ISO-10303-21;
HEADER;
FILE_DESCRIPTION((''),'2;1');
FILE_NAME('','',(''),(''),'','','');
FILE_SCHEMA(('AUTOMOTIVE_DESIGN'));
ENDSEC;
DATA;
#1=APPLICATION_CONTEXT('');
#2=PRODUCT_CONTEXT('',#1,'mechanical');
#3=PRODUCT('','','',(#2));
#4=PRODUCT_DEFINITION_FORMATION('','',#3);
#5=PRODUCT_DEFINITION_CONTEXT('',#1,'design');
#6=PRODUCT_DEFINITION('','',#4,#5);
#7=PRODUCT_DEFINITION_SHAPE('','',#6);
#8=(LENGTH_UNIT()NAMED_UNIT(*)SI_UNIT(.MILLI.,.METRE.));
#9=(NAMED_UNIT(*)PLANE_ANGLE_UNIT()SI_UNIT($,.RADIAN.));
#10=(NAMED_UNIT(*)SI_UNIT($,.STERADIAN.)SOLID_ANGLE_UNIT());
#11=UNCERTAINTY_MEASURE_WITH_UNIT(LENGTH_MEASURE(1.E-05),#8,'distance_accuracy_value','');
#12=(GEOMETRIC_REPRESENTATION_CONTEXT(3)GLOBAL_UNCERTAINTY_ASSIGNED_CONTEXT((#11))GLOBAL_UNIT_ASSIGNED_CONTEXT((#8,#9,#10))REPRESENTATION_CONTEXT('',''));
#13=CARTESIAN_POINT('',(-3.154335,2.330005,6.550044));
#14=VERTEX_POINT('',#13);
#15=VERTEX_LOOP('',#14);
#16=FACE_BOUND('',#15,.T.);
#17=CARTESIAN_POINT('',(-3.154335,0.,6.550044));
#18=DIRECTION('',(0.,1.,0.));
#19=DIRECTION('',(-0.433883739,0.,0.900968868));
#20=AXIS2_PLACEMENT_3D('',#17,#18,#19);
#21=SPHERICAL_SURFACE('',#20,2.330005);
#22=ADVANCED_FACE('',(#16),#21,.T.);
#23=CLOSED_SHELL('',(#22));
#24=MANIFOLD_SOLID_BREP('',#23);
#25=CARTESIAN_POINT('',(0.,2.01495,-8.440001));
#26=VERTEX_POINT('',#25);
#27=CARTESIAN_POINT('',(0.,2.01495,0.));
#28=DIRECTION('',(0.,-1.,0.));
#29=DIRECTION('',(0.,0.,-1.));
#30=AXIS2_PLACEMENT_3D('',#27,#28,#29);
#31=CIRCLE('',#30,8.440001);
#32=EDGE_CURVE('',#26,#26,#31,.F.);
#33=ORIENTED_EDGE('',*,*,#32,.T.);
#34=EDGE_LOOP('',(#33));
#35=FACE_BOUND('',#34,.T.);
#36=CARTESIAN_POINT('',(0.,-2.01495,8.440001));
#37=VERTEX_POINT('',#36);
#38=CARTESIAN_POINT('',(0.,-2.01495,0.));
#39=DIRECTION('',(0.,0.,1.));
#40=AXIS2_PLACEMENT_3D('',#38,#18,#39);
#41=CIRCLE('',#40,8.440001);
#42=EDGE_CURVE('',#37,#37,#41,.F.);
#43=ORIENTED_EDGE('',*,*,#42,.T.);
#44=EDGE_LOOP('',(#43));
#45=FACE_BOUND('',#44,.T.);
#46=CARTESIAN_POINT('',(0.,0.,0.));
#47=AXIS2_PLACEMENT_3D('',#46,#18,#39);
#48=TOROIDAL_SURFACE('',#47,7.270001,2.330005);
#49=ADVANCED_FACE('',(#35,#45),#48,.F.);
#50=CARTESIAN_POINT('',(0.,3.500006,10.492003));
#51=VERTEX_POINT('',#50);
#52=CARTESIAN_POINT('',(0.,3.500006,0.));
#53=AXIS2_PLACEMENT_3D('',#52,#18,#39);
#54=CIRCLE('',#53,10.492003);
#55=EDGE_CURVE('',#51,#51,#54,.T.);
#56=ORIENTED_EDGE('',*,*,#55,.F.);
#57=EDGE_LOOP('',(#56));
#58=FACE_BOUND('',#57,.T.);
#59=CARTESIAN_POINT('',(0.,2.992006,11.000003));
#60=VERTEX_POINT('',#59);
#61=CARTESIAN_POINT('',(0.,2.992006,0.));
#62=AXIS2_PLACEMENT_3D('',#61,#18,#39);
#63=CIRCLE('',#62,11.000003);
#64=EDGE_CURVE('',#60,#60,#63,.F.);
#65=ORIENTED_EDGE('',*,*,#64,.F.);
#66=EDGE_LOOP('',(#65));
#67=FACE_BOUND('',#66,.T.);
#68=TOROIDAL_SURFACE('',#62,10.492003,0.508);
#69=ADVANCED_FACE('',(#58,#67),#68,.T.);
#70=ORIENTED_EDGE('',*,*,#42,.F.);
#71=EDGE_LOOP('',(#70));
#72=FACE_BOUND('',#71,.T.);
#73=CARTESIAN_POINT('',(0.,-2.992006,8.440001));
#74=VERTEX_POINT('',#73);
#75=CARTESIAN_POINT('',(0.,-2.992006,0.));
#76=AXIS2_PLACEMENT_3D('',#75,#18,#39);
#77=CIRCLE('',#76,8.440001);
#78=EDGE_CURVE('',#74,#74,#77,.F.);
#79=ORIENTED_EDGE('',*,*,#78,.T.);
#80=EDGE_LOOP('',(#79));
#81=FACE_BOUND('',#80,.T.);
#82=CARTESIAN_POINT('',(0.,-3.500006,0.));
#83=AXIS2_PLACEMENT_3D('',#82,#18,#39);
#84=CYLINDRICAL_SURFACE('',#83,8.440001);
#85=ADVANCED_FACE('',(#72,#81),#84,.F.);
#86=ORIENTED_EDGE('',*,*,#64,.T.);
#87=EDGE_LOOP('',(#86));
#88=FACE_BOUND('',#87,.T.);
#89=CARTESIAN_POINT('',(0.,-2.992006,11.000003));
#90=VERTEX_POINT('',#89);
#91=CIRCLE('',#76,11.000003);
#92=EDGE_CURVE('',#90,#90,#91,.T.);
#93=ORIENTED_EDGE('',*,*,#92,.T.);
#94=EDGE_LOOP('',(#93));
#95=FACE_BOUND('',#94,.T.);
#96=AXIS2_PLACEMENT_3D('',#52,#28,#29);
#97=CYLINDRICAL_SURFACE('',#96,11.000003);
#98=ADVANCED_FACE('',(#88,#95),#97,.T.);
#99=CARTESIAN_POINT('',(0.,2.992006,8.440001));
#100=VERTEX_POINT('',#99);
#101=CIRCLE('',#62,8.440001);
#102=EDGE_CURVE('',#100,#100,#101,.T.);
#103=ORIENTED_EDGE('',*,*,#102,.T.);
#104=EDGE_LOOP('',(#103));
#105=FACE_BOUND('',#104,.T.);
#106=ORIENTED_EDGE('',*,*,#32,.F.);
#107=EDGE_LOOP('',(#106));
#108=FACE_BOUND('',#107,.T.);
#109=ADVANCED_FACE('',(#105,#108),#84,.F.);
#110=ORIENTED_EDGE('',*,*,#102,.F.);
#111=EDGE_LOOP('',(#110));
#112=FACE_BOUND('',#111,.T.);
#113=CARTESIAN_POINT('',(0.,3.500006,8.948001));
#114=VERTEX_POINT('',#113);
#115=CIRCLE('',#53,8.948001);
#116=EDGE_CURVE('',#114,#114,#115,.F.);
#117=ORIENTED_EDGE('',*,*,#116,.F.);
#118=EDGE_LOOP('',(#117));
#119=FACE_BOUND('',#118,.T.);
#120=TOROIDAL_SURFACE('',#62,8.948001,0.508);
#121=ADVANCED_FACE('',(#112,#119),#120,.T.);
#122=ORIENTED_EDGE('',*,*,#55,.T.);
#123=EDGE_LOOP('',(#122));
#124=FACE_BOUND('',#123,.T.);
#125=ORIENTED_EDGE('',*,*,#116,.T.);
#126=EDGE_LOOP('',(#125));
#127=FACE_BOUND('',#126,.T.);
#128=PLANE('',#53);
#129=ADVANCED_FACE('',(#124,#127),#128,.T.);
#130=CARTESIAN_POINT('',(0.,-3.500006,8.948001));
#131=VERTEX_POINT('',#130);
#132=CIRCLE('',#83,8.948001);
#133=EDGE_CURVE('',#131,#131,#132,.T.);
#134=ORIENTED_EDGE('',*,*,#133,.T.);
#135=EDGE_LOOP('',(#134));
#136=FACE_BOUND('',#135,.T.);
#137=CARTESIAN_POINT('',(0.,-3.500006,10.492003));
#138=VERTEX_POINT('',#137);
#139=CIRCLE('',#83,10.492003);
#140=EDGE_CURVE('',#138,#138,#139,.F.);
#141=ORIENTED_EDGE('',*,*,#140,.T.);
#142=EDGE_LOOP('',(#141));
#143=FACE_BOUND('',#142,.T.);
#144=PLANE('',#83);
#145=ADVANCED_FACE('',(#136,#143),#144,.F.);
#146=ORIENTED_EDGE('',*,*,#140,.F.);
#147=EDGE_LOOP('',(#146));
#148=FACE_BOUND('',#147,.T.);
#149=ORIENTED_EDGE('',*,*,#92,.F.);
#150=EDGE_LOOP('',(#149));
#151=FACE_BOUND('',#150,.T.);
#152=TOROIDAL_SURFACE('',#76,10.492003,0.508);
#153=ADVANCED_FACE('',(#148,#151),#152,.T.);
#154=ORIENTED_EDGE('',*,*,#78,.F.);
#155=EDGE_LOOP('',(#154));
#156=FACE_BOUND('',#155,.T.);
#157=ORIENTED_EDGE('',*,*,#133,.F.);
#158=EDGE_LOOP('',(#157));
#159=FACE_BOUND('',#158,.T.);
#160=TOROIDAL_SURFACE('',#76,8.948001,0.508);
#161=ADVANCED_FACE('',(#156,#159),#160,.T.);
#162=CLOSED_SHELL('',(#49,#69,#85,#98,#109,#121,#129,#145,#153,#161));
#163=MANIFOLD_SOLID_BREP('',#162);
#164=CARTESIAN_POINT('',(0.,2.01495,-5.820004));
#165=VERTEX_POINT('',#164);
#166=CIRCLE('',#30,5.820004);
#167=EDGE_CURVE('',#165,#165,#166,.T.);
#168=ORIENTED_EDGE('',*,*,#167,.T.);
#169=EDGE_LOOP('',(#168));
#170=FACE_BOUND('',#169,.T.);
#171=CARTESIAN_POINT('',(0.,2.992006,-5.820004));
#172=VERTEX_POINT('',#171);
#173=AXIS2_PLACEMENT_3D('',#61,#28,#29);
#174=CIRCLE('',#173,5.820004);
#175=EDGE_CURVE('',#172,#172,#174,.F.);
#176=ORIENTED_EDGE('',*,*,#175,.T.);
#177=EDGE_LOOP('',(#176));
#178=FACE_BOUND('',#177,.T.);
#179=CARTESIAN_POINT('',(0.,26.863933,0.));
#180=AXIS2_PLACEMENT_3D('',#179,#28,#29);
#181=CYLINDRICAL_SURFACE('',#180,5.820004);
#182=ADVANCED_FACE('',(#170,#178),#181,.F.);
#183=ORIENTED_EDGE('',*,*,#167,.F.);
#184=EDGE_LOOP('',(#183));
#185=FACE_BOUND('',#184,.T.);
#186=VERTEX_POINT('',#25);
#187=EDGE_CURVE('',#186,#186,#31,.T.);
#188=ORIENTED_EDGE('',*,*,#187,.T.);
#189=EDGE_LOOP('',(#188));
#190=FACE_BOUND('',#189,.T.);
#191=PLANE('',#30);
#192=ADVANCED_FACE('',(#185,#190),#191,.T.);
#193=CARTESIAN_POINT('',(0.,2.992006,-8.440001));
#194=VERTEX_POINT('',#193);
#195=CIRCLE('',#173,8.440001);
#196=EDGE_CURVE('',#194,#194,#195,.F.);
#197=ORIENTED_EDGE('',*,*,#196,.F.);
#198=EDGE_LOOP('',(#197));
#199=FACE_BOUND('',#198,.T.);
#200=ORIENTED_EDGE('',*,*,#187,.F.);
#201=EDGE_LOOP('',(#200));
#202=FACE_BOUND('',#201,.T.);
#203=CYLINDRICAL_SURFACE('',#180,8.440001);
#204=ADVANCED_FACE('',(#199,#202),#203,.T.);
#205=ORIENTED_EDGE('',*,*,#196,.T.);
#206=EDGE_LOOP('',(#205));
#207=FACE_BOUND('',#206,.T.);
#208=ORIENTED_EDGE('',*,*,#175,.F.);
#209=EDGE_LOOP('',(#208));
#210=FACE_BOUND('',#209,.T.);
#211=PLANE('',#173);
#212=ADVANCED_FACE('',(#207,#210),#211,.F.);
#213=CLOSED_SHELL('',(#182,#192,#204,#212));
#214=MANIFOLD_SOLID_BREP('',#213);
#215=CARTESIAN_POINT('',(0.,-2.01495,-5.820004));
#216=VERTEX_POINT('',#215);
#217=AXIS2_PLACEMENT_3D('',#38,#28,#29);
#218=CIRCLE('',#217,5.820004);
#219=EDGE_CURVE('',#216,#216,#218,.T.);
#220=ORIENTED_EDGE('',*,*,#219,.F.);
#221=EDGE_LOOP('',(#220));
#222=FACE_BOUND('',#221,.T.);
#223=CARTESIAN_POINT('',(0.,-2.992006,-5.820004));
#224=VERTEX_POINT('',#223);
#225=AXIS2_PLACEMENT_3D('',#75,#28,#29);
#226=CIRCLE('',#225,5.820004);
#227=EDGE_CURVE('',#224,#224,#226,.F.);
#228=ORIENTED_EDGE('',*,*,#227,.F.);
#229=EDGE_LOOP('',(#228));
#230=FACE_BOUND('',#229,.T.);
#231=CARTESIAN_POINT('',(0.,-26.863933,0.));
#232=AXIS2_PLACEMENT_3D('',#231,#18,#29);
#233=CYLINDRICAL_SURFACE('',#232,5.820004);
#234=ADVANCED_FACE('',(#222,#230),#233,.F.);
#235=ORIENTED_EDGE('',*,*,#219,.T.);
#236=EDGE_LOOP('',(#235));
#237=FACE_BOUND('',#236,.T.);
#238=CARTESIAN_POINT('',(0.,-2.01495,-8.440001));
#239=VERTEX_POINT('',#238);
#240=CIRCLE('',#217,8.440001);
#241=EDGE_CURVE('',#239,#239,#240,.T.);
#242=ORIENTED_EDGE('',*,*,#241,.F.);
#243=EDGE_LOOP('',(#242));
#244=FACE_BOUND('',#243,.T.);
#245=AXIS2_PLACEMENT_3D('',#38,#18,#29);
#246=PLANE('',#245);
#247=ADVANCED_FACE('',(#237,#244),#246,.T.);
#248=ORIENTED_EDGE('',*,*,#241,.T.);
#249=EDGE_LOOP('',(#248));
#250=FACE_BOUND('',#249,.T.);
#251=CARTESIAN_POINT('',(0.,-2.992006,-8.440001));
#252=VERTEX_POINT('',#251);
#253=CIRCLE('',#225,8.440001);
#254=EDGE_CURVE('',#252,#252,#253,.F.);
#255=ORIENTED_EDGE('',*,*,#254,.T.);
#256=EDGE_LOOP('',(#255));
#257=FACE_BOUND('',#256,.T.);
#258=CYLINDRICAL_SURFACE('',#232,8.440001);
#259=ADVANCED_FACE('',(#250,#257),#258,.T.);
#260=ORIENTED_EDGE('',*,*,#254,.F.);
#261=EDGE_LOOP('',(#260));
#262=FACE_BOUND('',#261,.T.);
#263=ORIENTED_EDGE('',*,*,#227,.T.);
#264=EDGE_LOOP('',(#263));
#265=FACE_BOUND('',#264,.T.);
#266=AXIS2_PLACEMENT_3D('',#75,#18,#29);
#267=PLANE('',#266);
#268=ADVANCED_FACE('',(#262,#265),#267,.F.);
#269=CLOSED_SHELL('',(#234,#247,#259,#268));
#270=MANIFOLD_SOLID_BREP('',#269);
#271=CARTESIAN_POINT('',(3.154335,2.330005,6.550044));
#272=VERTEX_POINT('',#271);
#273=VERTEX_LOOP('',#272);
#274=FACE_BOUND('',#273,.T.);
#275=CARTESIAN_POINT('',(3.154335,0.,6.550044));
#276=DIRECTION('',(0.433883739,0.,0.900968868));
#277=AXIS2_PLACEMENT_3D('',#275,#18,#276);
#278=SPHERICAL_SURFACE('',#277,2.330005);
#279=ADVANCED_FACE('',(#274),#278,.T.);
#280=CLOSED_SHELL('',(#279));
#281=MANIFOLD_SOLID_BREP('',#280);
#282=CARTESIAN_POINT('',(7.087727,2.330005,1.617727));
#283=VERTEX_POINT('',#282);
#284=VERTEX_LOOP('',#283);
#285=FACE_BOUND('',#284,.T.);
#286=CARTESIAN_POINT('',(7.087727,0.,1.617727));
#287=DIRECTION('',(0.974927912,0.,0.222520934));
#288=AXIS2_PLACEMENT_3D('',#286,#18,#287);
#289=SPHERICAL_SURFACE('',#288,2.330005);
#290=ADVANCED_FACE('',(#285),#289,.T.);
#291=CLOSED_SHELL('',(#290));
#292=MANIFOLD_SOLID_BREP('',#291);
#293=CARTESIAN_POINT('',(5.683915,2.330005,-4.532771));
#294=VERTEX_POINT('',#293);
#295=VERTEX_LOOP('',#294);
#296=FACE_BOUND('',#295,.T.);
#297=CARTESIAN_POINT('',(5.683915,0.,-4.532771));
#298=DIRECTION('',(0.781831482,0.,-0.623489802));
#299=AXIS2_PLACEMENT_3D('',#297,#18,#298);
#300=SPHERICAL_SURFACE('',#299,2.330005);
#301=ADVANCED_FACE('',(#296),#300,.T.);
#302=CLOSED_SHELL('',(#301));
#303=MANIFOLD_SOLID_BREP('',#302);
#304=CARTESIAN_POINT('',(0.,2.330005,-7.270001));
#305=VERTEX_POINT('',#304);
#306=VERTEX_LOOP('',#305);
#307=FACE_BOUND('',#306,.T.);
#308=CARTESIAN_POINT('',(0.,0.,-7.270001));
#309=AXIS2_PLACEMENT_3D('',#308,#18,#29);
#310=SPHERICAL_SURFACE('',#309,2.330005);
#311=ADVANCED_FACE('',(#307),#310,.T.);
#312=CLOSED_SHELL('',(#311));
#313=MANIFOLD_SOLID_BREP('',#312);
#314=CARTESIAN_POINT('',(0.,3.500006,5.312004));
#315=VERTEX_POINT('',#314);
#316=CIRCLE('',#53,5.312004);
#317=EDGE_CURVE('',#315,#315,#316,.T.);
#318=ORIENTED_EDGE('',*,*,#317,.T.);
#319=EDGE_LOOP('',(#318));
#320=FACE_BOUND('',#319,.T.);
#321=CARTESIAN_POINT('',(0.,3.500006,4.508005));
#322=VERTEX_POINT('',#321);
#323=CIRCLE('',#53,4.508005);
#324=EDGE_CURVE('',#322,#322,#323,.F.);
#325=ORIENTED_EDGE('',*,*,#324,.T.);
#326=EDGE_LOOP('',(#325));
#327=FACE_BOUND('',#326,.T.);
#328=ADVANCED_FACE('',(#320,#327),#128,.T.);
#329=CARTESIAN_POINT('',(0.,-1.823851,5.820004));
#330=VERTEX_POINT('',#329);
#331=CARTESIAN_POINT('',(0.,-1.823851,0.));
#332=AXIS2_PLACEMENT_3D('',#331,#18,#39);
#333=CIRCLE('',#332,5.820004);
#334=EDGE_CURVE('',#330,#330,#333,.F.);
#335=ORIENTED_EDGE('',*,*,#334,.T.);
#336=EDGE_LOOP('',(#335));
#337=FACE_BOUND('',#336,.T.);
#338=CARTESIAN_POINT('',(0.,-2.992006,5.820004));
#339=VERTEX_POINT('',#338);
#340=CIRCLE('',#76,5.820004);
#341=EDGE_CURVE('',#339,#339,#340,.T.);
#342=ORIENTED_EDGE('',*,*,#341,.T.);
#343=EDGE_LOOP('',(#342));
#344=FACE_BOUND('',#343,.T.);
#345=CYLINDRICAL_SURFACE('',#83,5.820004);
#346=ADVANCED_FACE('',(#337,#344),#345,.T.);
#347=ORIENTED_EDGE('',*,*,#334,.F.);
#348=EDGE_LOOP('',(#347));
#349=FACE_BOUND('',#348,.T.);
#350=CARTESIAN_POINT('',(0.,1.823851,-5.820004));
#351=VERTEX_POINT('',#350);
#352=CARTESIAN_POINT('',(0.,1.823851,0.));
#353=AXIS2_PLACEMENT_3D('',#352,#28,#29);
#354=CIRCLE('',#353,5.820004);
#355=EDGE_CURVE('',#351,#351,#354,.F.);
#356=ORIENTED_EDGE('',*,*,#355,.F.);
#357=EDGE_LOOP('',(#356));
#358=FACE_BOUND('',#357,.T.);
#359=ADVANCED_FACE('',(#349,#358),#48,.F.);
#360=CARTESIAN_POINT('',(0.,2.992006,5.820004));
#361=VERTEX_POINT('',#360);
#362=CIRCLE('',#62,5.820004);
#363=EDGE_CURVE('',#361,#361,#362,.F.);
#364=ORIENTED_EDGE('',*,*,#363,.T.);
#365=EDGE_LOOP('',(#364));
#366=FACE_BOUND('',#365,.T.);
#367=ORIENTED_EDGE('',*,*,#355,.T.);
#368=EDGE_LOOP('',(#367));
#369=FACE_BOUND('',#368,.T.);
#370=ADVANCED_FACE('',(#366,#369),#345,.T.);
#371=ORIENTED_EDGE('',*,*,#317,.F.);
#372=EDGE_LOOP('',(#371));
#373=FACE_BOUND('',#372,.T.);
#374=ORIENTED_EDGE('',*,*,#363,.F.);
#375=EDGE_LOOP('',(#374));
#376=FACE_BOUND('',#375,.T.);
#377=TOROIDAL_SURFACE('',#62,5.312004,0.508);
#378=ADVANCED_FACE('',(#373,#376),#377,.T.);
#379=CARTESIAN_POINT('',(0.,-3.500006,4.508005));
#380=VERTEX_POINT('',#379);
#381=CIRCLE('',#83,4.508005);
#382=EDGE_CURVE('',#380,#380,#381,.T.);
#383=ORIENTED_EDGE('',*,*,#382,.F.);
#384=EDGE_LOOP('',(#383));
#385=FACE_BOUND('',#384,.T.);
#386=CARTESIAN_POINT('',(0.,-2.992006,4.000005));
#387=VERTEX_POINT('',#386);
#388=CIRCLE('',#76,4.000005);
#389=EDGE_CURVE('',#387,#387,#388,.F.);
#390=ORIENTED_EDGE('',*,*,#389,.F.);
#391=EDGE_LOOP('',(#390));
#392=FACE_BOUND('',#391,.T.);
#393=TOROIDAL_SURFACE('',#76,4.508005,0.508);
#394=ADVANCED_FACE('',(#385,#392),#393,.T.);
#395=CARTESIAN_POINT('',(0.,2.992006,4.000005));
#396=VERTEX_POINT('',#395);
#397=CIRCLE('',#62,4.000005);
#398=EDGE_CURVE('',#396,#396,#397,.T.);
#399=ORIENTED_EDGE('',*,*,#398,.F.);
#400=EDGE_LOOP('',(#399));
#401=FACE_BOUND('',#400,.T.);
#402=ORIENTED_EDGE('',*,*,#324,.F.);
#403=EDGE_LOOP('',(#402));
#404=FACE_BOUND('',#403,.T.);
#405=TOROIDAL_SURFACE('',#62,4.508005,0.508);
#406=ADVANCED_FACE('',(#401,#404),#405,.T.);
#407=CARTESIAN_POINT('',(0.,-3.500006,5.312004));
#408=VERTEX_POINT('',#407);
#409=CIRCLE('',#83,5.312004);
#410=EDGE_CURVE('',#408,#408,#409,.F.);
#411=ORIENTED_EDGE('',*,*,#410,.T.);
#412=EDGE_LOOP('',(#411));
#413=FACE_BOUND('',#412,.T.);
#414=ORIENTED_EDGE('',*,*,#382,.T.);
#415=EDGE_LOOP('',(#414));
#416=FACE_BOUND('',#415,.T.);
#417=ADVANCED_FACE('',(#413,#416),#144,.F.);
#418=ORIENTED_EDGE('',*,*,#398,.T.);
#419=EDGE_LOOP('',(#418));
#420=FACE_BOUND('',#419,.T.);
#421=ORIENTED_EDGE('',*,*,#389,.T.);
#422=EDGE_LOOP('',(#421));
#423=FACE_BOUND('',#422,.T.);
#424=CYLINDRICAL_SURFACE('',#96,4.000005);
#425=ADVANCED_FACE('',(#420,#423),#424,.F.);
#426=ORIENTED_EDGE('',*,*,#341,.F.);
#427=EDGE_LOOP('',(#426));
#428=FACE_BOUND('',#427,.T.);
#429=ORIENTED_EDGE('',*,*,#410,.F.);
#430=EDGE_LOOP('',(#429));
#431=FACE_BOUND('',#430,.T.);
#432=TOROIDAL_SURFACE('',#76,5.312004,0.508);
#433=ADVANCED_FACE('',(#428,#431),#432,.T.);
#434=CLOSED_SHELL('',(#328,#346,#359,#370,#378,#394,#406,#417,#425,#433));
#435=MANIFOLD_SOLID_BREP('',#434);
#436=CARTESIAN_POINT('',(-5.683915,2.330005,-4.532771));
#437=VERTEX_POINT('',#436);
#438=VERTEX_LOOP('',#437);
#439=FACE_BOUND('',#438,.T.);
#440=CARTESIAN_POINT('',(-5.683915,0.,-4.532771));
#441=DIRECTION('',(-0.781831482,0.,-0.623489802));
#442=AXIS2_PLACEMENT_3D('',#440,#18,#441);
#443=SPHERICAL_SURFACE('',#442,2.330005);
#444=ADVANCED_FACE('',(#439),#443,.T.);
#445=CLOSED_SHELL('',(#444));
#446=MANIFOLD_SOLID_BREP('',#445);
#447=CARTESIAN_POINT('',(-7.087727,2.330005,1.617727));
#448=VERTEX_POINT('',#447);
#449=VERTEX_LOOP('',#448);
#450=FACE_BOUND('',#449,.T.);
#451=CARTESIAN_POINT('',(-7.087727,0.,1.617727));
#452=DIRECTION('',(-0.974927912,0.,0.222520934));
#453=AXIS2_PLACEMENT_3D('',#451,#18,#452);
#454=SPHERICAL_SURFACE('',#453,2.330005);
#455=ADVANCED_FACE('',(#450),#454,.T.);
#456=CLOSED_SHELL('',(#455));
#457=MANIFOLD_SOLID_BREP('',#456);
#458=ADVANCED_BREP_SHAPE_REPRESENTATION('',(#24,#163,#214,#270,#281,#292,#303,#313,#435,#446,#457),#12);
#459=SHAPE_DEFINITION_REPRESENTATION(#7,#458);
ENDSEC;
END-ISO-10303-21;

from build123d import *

# Parameters (mm, degrees)
SKETCH1_R           = 11.0000034
SKETCH1_R_2         = 4.0000047
BOSS_EXTRUDE1_DEPTH = 3.5000057
SKETCH2_R           = 8.4400009
SKETCH2_R_2         = 5.8200036
CUT_EXTRUDE1_DEPTH  = 8.0000114
SKETCH3_R           = 2.3300055
FILLET1_R           = 0.508
FILLET2_R           = 0.508
CIRPATTERN2_COUNT   = 7
BOSS_EXTRUDE4_START = 2.01495
SKETCH5_R           = 8.4400009
SKETCH5_R_2         = 5.8200036
BOSS_EXTRUDE4_DEPTH = 0.977055


with BuildPart() as part:
    # Sketch1 → Boss-Extrude1 (new body, symmetric)
    with BuildSketch(Plane(origin=(0, 0, 0), x_dir=(1, 0, 0), z_dir=(0, 1, 0))):
        Circle(SKETCH1_R)
        Circle(SKETCH1_R_2, mode=Mode.SUBTRACT)
    extrude(amount=BOSS_EXTRUDE1_DEPTH, both=True)

    # Sketch2 → Cut-Extrude1 (cut, through all)
    with BuildSketch(Plane(origin=(0, 3.5000057, 0), x_dir=(1, 0, 0), z_dir=(0, 1, 0))):
        Circle(SKETCH2_R)
        Circle(SKETCH2_R_2, mode=Mode.SUBTRACT)
    extrude(amount=-CUT_EXTRUDE1_DEPTH, mode=Mode.SUBTRACT)

    # Sketch3 → Cut-Revolve1 (revolve, cut)
    with BuildSketch(Plane(origin=(0, 0, 0), x_dir=(0, 0, -1), z_dir=(1, 0, 0))):
        with Locations((7.2700007, 0)):
            Circle(SKETCH3_R)
    revolve(axis=Axis((0, 8.468633392, 0), (0, -1, 0)), mode=Mode.SUBTRACT)

    # Fillet1
    fillet1_edges = [part.edges().sort_by_distance(p)[0] for p in [
        (-8.4400009, -3.5000057, 0),
        (-11.0000034, -3.5000057, 0),
        (-8.4400009, 3.5000057, 0),
        (-11.0000034, 3.5000057, 0),
    ]]
    fillet(fillet1_edges, radius=FILLET1_R)

    # Fillet2
    fillet2_edges = [part.edges().sort_by_distance(p)[0] for p in [
        (-5.8200036, -3.5000057, 0),
        (-5.8200036, 3.5000057, 0),
        (-4.0000047, -3.5000057, 0),
        (-4.0000047, 3.5000057, 0),
    ]]
    fillet(fillet2_edges, radius=FILLET2_R)


with BuildPart() as body_2:
    # Sketch4 → Revolve1 (revolve)
    with BuildSketch(Plane(origin=(0, 0, 0), x_dir=(0, 0, -1), z_dir=(1, 0, 0))):
        with BuildLine():
            Line((7.2700007, 2.3300055), (7.2700007, -2.3300055))
            ThreePointArc((7.2700007, -2.3300055), (9.6000062, 0), (7.2700007, 2.3300055))
        make_face()
    revolve(axis=Axis((0, 8.508066945, -7.2700007), (0, -1, 0)))


with BuildPart() as cirpattern2_1:
    # CirPattern2: pattern copy
    add(body_2.part.rotate(Axis((0, 0, 0), (0, 1, 0)), 1 * 360 / CIRPATTERN2_COUNT))


with BuildPart() as cirpattern2_2:
    # CirPattern2: pattern copy
    add(body_2.part.rotate(Axis((0, 0, 0), (0, 1, 0)), 2 * 360 / CIRPATTERN2_COUNT))


with BuildPart() as cirpattern2_3:
    # CirPattern2: pattern copy
    add(body_2.part.rotate(Axis((0, 0, 0), (0, 1, 0)), 3 * 360 / CIRPATTERN2_COUNT))


with BuildPart() as cirpattern2_4:
    # CirPattern2: pattern copy
    add(body_2.part.rotate(Axis((0, 0, 0), (0, 1, 0)), 4 * 360 / CIRPATTERN2_COUNT))


with BuildPart() as cirpattern2_5:
    # CirPattern2: pattern copy
    add(body_2.part.rotate(Axis((0, 0, 0), (0, 1, 0)), 5 * 360 / CIRPATTERN2_COUNT))


with BuildPart() as cirpattern2_6:
    # CirPattern2: pattern copy
    add(body_2.part.rotate(Axis((0, 0, 0), (0, 1, 0)), 6 * 360 / CIRPATTERN2_COUNT))


with BuildPart() as body_9:
    # Sketch5 → Boss-Extrude4 (new body)
    with BuildSketch(Plane(origin=(0, 0, 0), x_dir=(1, 0, 0), z_dir=(0, 1, 0)).offset(BOSS_EXTRUDE4_START)):
        Circle(SKETCH5_R)
        Circle(SKETCH5_R_2, mode=Mode.SUBTRACT)
    extrude(amount=BOSS_EXTRUDE4_DEPTH)


with BuildPart() as body_10:
    # Mirror1: mirrored copy
    add(body_9.part.mirror(Plane.ZX))


solid = Compound([part.part, body_2.part, cirpattern2_1.part, cirpattern2_2.part, cirpattern2_3.part, cirpattern2_4.part, cirpattern2_5.part, cirpattern2_6.part, body_9.part, body_10.part])
